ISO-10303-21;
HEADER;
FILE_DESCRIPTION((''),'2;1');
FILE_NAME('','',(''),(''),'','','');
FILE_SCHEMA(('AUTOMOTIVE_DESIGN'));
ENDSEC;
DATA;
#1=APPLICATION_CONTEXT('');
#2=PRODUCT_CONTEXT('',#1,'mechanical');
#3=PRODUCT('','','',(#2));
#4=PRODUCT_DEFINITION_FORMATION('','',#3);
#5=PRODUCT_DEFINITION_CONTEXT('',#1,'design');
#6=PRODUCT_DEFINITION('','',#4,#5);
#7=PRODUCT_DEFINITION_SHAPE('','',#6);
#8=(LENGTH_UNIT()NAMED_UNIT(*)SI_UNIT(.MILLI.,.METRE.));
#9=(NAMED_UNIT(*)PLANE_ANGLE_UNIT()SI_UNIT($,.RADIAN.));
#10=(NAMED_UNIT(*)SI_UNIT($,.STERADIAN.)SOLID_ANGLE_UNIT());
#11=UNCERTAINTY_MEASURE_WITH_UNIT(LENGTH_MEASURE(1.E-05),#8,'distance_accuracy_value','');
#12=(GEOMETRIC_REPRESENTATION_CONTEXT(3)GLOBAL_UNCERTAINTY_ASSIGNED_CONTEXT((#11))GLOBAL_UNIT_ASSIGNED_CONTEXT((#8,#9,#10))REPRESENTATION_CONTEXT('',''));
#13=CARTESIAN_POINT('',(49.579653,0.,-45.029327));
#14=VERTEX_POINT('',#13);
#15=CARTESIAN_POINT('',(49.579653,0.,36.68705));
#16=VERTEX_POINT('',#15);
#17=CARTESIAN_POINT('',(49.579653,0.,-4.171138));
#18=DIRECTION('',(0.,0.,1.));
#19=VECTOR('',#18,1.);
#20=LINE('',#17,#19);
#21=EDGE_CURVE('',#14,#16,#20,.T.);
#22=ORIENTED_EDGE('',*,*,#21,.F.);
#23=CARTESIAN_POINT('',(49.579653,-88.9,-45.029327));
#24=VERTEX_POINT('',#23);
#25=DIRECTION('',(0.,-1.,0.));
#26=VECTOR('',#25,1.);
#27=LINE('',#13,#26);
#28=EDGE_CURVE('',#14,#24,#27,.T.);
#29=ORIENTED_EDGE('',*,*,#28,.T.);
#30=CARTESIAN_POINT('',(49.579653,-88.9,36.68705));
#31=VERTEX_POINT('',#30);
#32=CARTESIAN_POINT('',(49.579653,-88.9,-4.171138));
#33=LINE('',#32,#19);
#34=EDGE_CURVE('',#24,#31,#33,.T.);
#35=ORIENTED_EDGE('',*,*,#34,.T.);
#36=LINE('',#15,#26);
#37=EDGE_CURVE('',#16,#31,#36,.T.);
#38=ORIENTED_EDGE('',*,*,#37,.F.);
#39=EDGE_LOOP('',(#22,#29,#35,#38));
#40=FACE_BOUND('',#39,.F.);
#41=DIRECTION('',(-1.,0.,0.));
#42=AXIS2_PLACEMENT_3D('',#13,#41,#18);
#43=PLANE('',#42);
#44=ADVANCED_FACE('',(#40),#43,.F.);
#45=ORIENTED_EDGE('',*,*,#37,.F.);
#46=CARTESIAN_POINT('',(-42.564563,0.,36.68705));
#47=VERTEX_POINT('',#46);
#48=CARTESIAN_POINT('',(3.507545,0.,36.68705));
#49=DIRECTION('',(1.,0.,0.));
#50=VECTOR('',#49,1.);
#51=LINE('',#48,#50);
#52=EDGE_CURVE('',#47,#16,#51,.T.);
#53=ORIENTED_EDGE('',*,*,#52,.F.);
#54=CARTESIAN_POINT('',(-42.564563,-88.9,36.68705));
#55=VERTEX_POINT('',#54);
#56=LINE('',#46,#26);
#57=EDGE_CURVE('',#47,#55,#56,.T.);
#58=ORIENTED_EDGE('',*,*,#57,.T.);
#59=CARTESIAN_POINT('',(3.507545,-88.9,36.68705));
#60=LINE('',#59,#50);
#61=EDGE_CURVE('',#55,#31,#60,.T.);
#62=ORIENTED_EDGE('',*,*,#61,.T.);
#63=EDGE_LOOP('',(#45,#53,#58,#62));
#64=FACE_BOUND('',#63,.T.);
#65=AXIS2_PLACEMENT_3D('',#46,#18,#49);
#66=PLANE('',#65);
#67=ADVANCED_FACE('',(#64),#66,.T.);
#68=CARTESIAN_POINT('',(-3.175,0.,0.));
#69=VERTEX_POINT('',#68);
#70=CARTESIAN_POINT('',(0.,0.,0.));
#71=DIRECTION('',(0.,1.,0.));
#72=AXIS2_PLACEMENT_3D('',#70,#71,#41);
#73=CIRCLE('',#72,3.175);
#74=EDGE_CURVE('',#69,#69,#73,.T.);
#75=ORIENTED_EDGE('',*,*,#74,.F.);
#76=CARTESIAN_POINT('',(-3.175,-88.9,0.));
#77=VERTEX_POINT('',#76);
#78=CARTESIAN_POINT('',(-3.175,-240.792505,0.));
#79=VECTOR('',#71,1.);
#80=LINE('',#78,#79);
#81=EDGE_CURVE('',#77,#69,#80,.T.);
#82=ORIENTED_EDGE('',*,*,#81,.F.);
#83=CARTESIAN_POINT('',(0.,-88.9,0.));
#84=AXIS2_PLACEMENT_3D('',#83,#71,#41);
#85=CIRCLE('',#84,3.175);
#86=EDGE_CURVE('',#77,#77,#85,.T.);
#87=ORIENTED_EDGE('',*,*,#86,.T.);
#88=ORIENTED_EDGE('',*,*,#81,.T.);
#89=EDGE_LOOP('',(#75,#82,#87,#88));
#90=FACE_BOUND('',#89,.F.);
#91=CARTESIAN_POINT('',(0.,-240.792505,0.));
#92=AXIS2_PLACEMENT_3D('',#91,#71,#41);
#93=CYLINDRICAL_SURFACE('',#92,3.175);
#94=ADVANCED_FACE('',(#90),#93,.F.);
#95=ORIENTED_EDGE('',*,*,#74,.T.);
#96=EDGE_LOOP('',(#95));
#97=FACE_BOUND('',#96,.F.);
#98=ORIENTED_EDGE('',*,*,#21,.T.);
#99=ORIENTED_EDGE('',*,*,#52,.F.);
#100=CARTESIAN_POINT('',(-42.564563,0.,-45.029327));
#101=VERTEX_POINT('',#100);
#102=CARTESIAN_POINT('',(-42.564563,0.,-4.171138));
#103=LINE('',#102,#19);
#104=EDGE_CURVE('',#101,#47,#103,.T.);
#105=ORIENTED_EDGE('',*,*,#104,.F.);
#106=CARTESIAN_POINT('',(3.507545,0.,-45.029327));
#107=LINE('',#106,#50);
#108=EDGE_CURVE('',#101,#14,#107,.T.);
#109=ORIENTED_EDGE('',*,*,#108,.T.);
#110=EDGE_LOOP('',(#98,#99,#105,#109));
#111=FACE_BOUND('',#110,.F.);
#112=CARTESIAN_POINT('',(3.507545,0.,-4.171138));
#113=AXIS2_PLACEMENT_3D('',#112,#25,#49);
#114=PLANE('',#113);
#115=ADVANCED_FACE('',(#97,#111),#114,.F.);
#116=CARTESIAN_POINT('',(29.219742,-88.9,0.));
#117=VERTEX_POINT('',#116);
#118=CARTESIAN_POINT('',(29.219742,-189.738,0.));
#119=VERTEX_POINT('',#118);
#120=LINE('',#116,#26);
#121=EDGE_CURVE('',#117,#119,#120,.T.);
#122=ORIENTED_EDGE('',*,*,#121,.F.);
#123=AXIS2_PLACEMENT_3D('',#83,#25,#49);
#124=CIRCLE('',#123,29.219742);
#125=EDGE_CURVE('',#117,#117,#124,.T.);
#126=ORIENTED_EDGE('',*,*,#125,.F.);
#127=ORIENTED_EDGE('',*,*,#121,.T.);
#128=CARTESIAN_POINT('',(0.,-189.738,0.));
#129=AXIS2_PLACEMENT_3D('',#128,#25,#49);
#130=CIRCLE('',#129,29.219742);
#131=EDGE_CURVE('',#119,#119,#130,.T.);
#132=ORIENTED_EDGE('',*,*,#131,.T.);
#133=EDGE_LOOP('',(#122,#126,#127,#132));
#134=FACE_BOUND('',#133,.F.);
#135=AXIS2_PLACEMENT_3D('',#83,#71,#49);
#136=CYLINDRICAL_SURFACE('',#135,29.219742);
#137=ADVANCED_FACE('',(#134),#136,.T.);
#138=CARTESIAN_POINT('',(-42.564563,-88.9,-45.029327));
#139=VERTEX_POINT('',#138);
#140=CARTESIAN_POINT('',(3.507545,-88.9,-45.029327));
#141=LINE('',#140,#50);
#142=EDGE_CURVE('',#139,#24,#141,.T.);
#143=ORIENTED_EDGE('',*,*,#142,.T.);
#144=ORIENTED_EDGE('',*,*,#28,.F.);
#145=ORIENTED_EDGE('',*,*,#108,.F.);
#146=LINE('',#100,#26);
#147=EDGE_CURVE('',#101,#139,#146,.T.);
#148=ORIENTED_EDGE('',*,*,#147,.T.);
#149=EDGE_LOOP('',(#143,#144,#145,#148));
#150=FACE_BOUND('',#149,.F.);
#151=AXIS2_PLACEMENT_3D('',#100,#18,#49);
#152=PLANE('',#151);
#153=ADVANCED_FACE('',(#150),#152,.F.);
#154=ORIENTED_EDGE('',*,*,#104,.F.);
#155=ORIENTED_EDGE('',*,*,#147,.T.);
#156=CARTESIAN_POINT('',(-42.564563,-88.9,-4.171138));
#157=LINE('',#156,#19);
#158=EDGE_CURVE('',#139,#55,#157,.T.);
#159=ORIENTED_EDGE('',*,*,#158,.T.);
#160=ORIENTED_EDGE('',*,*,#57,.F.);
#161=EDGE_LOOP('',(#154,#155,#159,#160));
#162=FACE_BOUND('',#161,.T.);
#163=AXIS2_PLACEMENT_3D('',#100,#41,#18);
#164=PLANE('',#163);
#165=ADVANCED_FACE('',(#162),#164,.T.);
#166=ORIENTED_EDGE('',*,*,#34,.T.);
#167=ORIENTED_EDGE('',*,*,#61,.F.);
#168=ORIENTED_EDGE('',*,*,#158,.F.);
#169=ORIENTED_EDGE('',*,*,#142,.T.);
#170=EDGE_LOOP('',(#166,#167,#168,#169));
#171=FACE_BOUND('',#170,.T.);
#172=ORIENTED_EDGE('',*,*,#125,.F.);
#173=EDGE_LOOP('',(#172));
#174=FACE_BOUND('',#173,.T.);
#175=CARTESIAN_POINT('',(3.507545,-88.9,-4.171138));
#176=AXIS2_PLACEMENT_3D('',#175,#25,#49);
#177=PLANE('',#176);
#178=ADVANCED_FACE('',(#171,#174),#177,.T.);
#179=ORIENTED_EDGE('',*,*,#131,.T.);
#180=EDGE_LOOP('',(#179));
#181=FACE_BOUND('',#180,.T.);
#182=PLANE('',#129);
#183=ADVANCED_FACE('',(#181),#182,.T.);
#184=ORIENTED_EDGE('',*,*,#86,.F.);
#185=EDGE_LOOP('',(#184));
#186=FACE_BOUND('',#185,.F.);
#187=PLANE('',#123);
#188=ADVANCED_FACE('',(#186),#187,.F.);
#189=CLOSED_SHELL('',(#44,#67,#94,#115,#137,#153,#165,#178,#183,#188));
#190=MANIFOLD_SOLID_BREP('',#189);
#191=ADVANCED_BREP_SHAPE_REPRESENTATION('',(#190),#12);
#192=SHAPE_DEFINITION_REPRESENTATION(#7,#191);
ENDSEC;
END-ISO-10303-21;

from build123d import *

# Parameters (mm, degrees)
F0_W     = 92.144217
F0_H     = 81.716377
F1_DEPTH = 88.9
F3_D     = 6.35
F4_R     = 29.219742
F5_DEPTH = 100.838


with BuildPart() as f1:
    # F0 (on Front) → F1 (new body)
    with BuildSketch(Plane.XZ):
        with Locations((3.507545, -4.171138)):
            Rectangle(F0_W, F0_H)
    extrude(amount=F1_DEPTH)

    # F3 (through all)
    with Locations(Plane.XZ.offset(88.9)):
        with Locations((0, 0)):
            Hole(F3_D / 2)

    # F4 (on face) → F5 (join)
    with BuildSketch(Plane.XZ.offset(88.9)):
        Circle(F4_R)
    extrude(amount=F5_DEPTH)


solid = f1.part
